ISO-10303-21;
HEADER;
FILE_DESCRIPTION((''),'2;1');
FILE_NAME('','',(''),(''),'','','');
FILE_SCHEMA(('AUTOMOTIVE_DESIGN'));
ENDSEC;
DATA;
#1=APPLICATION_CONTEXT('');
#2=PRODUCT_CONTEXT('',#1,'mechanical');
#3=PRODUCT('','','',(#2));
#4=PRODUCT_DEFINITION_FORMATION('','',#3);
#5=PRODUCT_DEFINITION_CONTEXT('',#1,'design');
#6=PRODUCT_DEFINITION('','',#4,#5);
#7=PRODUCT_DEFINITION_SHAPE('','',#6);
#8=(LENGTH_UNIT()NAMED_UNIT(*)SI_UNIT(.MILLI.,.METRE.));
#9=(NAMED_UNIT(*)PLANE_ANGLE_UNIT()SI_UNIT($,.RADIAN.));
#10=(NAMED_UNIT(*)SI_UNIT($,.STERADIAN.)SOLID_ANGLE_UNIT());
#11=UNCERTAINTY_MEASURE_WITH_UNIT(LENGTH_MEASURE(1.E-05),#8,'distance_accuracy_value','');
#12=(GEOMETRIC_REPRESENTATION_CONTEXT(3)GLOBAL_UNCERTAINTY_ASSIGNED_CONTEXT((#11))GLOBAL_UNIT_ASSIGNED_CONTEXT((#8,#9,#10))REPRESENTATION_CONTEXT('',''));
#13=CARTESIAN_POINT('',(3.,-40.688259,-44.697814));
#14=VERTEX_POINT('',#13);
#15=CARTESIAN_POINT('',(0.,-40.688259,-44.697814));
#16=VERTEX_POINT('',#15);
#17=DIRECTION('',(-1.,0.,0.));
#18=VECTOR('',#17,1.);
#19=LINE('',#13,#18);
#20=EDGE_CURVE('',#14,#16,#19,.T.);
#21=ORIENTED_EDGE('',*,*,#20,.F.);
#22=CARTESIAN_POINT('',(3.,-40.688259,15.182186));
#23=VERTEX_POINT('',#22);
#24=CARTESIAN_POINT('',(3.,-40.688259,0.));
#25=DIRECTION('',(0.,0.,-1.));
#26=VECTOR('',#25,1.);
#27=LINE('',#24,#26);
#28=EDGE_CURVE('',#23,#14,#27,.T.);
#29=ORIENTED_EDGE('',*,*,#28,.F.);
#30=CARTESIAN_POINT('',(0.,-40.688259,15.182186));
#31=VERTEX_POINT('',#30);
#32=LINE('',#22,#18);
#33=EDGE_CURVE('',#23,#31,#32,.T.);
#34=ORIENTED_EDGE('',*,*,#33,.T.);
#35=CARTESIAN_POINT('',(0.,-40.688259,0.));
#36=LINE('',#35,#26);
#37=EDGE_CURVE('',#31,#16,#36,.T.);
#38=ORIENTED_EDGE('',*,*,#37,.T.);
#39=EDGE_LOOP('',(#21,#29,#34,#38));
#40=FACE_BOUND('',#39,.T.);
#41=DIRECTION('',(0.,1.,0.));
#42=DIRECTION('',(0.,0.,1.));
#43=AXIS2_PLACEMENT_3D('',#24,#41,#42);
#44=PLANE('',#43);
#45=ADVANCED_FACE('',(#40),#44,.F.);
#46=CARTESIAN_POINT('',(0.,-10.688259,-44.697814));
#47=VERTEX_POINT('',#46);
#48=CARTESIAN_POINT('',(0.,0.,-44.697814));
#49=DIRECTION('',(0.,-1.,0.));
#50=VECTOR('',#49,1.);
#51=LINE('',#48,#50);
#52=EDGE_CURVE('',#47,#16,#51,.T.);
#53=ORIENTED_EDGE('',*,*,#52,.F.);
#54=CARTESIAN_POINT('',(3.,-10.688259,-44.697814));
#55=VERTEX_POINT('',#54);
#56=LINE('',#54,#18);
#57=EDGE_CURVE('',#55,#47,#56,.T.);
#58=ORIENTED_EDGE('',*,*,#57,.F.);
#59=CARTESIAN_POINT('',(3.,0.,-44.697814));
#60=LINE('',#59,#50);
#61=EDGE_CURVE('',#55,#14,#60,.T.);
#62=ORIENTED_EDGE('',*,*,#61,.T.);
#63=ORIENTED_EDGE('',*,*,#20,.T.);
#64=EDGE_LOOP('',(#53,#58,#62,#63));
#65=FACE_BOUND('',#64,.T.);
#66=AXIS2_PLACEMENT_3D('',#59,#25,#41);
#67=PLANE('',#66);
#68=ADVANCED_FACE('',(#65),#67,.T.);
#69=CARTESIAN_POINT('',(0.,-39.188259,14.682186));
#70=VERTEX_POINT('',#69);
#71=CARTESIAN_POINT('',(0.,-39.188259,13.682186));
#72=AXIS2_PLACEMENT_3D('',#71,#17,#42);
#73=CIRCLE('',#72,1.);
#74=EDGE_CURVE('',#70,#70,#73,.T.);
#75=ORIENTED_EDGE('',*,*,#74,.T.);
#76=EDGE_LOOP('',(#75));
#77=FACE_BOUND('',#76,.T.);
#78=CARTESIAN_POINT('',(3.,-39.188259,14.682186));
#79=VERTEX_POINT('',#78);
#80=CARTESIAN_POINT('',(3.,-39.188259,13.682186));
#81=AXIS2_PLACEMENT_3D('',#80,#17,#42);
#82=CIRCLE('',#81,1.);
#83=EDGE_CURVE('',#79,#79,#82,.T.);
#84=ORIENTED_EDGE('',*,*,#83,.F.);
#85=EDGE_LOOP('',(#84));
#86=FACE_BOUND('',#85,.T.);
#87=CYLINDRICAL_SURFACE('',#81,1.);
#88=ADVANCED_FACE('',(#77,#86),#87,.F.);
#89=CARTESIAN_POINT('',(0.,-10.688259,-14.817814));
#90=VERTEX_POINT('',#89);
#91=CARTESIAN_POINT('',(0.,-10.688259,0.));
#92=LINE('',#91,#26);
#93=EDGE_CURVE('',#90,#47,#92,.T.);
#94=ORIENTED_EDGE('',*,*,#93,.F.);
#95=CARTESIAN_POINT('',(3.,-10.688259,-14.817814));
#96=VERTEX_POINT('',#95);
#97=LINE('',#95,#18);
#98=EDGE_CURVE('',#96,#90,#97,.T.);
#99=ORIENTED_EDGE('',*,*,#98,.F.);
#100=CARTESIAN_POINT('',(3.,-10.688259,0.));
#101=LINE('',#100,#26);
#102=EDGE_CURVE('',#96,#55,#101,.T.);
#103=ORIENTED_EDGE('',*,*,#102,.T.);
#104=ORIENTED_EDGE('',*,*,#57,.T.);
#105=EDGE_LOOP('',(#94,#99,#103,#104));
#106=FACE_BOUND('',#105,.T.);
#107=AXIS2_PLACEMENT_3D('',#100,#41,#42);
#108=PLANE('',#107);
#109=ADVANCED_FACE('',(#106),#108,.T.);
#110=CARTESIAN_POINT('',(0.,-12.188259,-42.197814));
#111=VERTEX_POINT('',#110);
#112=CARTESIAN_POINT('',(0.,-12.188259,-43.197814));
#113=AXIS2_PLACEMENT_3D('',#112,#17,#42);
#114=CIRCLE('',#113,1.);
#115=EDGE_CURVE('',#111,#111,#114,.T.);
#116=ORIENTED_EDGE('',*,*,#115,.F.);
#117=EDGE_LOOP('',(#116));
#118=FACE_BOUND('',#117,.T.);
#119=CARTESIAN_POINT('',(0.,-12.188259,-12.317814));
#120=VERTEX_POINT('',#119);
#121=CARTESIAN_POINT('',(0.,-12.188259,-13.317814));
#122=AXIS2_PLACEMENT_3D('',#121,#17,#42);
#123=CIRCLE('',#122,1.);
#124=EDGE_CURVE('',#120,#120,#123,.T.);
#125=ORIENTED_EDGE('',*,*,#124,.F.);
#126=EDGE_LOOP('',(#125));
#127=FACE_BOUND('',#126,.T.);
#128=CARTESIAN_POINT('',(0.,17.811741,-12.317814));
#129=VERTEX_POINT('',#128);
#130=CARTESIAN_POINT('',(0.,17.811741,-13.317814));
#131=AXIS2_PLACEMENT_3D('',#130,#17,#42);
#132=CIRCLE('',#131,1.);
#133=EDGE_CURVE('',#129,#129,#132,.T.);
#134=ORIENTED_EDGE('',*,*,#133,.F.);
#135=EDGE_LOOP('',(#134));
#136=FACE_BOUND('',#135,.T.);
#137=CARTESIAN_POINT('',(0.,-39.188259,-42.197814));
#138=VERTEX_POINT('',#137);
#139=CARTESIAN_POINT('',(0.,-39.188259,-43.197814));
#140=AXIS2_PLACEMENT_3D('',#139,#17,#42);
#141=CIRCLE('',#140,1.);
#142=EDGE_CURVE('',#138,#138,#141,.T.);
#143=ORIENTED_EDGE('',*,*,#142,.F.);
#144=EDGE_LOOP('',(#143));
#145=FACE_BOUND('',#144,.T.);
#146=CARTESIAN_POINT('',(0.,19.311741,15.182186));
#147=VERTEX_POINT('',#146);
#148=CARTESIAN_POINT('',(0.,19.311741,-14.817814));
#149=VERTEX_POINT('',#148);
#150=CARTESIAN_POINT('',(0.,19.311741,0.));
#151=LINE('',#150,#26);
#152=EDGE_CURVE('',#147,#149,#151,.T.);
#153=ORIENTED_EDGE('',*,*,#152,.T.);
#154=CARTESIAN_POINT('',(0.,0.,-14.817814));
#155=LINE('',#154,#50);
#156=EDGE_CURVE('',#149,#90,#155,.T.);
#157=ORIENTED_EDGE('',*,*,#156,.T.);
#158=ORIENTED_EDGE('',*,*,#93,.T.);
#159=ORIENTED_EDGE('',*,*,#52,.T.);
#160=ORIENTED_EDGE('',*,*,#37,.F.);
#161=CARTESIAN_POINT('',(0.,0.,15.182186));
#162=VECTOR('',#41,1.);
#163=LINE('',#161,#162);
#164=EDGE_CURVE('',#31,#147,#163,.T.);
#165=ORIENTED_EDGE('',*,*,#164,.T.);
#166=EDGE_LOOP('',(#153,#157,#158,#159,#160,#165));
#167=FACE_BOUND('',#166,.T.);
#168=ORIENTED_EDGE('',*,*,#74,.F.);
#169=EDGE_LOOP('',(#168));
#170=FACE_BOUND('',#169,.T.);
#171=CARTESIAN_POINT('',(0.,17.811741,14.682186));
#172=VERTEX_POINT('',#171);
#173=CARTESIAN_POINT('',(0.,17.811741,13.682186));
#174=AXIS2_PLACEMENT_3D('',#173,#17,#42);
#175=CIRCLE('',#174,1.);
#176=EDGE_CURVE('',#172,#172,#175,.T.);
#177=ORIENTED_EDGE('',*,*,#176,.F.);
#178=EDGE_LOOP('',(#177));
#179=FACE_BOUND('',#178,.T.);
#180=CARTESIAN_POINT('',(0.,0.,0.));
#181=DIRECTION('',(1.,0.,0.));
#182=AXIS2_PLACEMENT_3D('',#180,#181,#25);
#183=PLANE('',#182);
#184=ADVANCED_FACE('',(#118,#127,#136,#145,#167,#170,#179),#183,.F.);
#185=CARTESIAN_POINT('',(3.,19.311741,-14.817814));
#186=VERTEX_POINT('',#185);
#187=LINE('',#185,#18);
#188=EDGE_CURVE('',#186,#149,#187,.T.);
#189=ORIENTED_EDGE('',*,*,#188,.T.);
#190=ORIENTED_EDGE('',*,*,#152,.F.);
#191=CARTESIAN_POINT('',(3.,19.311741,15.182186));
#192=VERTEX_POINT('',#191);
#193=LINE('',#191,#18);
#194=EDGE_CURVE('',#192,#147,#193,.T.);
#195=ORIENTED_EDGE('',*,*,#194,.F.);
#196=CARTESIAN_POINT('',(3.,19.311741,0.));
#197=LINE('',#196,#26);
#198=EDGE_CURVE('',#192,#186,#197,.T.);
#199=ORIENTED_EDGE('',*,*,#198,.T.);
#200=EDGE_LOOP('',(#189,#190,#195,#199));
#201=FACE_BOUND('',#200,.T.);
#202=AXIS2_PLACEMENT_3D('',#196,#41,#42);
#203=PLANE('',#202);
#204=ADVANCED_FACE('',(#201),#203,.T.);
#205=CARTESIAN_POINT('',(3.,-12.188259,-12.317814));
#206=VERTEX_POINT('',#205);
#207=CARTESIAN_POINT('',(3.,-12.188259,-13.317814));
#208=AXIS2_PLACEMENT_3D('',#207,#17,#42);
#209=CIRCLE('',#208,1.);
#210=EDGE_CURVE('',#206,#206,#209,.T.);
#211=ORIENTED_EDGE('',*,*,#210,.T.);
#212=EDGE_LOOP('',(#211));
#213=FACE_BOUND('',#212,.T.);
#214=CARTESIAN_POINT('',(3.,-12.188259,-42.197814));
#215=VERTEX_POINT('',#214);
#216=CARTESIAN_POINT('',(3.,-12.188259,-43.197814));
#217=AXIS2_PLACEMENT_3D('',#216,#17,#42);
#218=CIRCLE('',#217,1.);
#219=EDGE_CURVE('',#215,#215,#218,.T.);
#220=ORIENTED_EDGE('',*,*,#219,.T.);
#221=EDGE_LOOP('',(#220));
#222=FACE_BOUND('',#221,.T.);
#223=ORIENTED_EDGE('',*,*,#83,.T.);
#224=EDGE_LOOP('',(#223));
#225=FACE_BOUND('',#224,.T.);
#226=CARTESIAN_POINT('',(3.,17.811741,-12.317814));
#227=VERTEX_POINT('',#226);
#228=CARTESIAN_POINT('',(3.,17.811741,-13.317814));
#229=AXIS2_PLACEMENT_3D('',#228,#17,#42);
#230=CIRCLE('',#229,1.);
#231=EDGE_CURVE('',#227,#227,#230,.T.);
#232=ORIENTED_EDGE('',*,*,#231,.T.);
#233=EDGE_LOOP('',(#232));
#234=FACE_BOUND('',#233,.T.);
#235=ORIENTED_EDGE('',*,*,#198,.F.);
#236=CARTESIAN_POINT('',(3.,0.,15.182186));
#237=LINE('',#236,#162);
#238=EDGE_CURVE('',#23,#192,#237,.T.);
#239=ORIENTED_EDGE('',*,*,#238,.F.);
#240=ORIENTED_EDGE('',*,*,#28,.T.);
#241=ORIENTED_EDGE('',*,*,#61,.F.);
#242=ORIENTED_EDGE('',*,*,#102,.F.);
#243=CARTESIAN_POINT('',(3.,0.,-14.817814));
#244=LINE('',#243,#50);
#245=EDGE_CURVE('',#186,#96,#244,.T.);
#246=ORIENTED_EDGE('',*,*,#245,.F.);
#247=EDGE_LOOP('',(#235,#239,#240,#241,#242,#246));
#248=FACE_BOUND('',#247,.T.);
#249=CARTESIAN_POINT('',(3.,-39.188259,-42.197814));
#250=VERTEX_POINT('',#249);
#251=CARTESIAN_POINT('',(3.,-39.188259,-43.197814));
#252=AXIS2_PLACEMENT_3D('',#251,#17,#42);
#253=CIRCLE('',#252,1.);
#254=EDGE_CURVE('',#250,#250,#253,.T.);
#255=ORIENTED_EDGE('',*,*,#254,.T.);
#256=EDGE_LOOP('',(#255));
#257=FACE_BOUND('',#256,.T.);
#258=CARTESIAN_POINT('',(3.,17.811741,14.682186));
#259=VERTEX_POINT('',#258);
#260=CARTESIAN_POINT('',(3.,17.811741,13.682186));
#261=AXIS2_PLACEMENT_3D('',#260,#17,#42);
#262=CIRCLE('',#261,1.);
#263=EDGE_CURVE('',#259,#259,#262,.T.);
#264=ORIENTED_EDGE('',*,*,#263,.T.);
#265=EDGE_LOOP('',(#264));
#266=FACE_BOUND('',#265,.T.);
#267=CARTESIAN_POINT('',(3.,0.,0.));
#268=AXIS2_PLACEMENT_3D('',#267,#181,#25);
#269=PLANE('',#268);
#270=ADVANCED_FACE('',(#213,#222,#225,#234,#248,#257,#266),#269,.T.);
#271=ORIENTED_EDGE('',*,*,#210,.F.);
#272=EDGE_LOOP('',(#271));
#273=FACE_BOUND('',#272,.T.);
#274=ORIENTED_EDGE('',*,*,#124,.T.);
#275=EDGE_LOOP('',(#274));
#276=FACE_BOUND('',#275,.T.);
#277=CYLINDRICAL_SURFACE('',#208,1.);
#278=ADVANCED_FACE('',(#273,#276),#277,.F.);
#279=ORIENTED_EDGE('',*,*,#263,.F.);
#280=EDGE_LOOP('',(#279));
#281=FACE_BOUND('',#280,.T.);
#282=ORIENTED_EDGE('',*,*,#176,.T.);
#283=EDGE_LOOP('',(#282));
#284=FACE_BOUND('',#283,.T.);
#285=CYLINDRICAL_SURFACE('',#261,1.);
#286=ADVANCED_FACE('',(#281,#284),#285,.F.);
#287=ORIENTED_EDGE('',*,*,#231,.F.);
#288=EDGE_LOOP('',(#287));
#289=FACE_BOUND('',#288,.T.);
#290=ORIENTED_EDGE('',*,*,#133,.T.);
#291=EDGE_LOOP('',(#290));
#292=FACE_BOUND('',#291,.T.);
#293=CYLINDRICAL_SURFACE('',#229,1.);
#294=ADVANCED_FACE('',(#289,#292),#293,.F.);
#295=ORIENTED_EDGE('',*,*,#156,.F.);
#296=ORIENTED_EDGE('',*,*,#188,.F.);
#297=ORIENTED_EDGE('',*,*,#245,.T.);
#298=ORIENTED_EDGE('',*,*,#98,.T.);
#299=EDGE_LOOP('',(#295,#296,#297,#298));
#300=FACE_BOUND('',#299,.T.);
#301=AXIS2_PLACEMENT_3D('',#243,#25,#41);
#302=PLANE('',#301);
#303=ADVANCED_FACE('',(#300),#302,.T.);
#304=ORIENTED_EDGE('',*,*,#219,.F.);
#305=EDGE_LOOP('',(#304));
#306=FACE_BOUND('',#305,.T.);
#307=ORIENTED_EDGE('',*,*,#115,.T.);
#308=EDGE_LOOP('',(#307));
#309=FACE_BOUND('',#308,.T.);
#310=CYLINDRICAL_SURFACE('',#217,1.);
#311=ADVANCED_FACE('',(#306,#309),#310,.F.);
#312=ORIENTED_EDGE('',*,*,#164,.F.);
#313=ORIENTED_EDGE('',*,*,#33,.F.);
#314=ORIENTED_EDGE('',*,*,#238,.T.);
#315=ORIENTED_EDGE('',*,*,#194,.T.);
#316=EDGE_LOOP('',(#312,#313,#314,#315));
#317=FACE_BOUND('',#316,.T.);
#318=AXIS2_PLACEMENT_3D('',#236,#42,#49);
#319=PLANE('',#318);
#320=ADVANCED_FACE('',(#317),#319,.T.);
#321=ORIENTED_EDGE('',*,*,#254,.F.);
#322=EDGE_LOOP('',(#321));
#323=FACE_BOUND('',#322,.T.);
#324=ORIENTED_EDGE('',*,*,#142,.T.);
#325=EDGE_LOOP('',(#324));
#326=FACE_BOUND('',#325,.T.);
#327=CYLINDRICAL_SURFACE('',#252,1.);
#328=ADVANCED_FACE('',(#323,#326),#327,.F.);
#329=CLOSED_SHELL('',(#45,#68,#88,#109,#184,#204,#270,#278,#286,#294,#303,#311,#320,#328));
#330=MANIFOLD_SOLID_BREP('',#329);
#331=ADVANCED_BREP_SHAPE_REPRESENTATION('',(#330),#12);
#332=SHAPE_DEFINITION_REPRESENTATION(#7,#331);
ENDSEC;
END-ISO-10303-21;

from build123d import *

# Parameters (mm, degrees)
ESQUISSE1_W             = 29.88
ESQUISSE1_H             = 30
ESQUISSE1_W_2           = 30
BOSS_EXTRU_1_DEPTH      = 3
ENL_V_MAT_EXTRU_1_DEPTH = 3


with BuildPart() as part:
    # Esquisse1 → Boss.-Extru.1 (new body)
    with BuildSketch(Plane(origin=(0, 0, 0), x_dir=(0, 0, -1), z_dir=(1, 0, 0))):
        with Locations((29.757813765, -25.688259109)):
            Rectangle(ESQUISSE1_W, ESQUISSE1_H)
        with Locations((-0.182186235, -25.688259109)):
            Rectangle(ESQUISSE1_W_2, ESQUISSE1_H)
        with Locations((-0.182186235, 4.311740891)):
            Rectangle(ESQUISSE1_W_2, ESQUISSE1_H)
    extrude(amount=BOSS_EXTRU_1_DEPTH)

    # Esquisse2 → Enlèv. mat.-Extru.1 (cut)
    with BuildSketch(Plane.ZY):
        with BuildLine():
            ThreePointArc((-42.197813765, -39.188259109), (-42.273934233, -38.805575677), (-42.490706984, -38.481152328))
            Line((-42.490706984, -38.481152328), (-43.904920546, -39.89536589))
            ThreePointArc((-43.904920546, -39.89536589), (-42.815130333, -40.112138642), (-42.197813765, -39.188259109))
        make_face()
        with BuildLine():
            Line((-43.904920546, -39.89536589), (-42.490706984, -38.481152328))
            ThreePointArc((-42.490706984, -38.481152328), (-43.904920546, -38.481152328), (-43.904920546, -39.89536589))
        make_face()
        with BuildLine():
            ThreePointArc((-43.904920546, -11.481152328), (-43.904920546, -12.89536589), (-42.490706984, -12.89536589))
            Line((-42.490706984, -12.89536589), (-43.904920546, -11.481152328))
        make_face()
        with BuildLine():
            Line((-43.904920546, -11.481152328), (-42.490706984, -12.89536589))
            ThreePointArc((-42.490706984, -12.89536589), (-42.273934233, -12.570942542), (-42.197813765, -12.188259109))
            ThreePointArc((-42.197813765, -12.188259109), (-42.815130333, -11.264379577), (-43.904920546, -11.481152328))
        make_face()
        with BuildLine():
            ThreePointArc((-14.024920546, -11.481152328), (-14.024920546, -12.89536589), (-12.610706984, -12.89536589))
            Line((-12.610706984, -12.89536589), (-14.024920546, -11.481152328))
        make_face()
        with BuildLine():
            Line((-14.024920546, -11.481152328), (-12.610706984, -12.89536589))
            ThreePointArc((-12.610706984, -12.89536589), (-12.393934233, -12.570942542), (-12.317813765, -12.188259109))
            ThreePointArc((-12.317813765, -12.188259109), (-12.935130333, -11.264379577), (-14.024920546, -11.481152328))
        make_face()
        with BuildLine():
            ThreePointArc((-14.024920546, 18.518847672), (-14.024920546, 17.10463411), (-12.610706984, 17.10463411))
            Line((-12.610706984, 17.10463411), (-14.024920546, 18.518847672))
        make_face()
        with BuildLine():
            Line((-14.024920546, 18.518847672), (-12.610706984, 17.10463411))
            ThreePointArc((-12.610706984, 17.10463411), (-12.393934233, 17.429057458), (-12.317813765, 17.811740891))
            ThreePointArc((-12.317813765, 17.811740891), (-12.935130333, 18.735620423), (-14.024920546, 18.518847672))
        make_face()
        with BuildLine():
            ThreePointArc((14.389293016, 18.518847672), (12.975079454, 18.518847672), (12.975079454, 17.10463411))
            Line((12.975079454, 17.10463411), (14.389293016, 18.518847672))
        make_face()
        with BuildLine():
            Line((14.389293016, 18.518847672), (12.975079454, 17.10463411))
            ThreePointArc((12.975079454, 17.10463411), (14.064869667, 16.887861358), (14.682186235, 17.811740891))
            ThreePointArc((14.682186235, 17.811740891), (14.606065767, 18.194424323), (14.389293016, 18.518847672))
        make_face()
        with BuildLine():
            ThreePointArc((14.682186235, -39.188259109), (14.064869667, -38.264379577), (12.975079454, -38.481152328))
            Line((12.975079454, -38.481152328), (14.389293016, -39.89536589))
            ThreePointArc((14.389293016, -39.89536589), (14.606065767, -39.570942542), (14.682186235, -39.188259109))
        make_face()
        with BuildLine():
            Line((14.389293016, -39.89536589), (12.975079454, -38.481152328))
            ThreePointArc((12.975079454, -38.481152328), (12.975079454, -39.89536589), (14.389293016, -39.89536589))
        make_face()
    extrude(amount=-ENL_V_MAT_EXTRU_1_DEPTH, mode=Mode.SUBTRACT)


solid = part.part
